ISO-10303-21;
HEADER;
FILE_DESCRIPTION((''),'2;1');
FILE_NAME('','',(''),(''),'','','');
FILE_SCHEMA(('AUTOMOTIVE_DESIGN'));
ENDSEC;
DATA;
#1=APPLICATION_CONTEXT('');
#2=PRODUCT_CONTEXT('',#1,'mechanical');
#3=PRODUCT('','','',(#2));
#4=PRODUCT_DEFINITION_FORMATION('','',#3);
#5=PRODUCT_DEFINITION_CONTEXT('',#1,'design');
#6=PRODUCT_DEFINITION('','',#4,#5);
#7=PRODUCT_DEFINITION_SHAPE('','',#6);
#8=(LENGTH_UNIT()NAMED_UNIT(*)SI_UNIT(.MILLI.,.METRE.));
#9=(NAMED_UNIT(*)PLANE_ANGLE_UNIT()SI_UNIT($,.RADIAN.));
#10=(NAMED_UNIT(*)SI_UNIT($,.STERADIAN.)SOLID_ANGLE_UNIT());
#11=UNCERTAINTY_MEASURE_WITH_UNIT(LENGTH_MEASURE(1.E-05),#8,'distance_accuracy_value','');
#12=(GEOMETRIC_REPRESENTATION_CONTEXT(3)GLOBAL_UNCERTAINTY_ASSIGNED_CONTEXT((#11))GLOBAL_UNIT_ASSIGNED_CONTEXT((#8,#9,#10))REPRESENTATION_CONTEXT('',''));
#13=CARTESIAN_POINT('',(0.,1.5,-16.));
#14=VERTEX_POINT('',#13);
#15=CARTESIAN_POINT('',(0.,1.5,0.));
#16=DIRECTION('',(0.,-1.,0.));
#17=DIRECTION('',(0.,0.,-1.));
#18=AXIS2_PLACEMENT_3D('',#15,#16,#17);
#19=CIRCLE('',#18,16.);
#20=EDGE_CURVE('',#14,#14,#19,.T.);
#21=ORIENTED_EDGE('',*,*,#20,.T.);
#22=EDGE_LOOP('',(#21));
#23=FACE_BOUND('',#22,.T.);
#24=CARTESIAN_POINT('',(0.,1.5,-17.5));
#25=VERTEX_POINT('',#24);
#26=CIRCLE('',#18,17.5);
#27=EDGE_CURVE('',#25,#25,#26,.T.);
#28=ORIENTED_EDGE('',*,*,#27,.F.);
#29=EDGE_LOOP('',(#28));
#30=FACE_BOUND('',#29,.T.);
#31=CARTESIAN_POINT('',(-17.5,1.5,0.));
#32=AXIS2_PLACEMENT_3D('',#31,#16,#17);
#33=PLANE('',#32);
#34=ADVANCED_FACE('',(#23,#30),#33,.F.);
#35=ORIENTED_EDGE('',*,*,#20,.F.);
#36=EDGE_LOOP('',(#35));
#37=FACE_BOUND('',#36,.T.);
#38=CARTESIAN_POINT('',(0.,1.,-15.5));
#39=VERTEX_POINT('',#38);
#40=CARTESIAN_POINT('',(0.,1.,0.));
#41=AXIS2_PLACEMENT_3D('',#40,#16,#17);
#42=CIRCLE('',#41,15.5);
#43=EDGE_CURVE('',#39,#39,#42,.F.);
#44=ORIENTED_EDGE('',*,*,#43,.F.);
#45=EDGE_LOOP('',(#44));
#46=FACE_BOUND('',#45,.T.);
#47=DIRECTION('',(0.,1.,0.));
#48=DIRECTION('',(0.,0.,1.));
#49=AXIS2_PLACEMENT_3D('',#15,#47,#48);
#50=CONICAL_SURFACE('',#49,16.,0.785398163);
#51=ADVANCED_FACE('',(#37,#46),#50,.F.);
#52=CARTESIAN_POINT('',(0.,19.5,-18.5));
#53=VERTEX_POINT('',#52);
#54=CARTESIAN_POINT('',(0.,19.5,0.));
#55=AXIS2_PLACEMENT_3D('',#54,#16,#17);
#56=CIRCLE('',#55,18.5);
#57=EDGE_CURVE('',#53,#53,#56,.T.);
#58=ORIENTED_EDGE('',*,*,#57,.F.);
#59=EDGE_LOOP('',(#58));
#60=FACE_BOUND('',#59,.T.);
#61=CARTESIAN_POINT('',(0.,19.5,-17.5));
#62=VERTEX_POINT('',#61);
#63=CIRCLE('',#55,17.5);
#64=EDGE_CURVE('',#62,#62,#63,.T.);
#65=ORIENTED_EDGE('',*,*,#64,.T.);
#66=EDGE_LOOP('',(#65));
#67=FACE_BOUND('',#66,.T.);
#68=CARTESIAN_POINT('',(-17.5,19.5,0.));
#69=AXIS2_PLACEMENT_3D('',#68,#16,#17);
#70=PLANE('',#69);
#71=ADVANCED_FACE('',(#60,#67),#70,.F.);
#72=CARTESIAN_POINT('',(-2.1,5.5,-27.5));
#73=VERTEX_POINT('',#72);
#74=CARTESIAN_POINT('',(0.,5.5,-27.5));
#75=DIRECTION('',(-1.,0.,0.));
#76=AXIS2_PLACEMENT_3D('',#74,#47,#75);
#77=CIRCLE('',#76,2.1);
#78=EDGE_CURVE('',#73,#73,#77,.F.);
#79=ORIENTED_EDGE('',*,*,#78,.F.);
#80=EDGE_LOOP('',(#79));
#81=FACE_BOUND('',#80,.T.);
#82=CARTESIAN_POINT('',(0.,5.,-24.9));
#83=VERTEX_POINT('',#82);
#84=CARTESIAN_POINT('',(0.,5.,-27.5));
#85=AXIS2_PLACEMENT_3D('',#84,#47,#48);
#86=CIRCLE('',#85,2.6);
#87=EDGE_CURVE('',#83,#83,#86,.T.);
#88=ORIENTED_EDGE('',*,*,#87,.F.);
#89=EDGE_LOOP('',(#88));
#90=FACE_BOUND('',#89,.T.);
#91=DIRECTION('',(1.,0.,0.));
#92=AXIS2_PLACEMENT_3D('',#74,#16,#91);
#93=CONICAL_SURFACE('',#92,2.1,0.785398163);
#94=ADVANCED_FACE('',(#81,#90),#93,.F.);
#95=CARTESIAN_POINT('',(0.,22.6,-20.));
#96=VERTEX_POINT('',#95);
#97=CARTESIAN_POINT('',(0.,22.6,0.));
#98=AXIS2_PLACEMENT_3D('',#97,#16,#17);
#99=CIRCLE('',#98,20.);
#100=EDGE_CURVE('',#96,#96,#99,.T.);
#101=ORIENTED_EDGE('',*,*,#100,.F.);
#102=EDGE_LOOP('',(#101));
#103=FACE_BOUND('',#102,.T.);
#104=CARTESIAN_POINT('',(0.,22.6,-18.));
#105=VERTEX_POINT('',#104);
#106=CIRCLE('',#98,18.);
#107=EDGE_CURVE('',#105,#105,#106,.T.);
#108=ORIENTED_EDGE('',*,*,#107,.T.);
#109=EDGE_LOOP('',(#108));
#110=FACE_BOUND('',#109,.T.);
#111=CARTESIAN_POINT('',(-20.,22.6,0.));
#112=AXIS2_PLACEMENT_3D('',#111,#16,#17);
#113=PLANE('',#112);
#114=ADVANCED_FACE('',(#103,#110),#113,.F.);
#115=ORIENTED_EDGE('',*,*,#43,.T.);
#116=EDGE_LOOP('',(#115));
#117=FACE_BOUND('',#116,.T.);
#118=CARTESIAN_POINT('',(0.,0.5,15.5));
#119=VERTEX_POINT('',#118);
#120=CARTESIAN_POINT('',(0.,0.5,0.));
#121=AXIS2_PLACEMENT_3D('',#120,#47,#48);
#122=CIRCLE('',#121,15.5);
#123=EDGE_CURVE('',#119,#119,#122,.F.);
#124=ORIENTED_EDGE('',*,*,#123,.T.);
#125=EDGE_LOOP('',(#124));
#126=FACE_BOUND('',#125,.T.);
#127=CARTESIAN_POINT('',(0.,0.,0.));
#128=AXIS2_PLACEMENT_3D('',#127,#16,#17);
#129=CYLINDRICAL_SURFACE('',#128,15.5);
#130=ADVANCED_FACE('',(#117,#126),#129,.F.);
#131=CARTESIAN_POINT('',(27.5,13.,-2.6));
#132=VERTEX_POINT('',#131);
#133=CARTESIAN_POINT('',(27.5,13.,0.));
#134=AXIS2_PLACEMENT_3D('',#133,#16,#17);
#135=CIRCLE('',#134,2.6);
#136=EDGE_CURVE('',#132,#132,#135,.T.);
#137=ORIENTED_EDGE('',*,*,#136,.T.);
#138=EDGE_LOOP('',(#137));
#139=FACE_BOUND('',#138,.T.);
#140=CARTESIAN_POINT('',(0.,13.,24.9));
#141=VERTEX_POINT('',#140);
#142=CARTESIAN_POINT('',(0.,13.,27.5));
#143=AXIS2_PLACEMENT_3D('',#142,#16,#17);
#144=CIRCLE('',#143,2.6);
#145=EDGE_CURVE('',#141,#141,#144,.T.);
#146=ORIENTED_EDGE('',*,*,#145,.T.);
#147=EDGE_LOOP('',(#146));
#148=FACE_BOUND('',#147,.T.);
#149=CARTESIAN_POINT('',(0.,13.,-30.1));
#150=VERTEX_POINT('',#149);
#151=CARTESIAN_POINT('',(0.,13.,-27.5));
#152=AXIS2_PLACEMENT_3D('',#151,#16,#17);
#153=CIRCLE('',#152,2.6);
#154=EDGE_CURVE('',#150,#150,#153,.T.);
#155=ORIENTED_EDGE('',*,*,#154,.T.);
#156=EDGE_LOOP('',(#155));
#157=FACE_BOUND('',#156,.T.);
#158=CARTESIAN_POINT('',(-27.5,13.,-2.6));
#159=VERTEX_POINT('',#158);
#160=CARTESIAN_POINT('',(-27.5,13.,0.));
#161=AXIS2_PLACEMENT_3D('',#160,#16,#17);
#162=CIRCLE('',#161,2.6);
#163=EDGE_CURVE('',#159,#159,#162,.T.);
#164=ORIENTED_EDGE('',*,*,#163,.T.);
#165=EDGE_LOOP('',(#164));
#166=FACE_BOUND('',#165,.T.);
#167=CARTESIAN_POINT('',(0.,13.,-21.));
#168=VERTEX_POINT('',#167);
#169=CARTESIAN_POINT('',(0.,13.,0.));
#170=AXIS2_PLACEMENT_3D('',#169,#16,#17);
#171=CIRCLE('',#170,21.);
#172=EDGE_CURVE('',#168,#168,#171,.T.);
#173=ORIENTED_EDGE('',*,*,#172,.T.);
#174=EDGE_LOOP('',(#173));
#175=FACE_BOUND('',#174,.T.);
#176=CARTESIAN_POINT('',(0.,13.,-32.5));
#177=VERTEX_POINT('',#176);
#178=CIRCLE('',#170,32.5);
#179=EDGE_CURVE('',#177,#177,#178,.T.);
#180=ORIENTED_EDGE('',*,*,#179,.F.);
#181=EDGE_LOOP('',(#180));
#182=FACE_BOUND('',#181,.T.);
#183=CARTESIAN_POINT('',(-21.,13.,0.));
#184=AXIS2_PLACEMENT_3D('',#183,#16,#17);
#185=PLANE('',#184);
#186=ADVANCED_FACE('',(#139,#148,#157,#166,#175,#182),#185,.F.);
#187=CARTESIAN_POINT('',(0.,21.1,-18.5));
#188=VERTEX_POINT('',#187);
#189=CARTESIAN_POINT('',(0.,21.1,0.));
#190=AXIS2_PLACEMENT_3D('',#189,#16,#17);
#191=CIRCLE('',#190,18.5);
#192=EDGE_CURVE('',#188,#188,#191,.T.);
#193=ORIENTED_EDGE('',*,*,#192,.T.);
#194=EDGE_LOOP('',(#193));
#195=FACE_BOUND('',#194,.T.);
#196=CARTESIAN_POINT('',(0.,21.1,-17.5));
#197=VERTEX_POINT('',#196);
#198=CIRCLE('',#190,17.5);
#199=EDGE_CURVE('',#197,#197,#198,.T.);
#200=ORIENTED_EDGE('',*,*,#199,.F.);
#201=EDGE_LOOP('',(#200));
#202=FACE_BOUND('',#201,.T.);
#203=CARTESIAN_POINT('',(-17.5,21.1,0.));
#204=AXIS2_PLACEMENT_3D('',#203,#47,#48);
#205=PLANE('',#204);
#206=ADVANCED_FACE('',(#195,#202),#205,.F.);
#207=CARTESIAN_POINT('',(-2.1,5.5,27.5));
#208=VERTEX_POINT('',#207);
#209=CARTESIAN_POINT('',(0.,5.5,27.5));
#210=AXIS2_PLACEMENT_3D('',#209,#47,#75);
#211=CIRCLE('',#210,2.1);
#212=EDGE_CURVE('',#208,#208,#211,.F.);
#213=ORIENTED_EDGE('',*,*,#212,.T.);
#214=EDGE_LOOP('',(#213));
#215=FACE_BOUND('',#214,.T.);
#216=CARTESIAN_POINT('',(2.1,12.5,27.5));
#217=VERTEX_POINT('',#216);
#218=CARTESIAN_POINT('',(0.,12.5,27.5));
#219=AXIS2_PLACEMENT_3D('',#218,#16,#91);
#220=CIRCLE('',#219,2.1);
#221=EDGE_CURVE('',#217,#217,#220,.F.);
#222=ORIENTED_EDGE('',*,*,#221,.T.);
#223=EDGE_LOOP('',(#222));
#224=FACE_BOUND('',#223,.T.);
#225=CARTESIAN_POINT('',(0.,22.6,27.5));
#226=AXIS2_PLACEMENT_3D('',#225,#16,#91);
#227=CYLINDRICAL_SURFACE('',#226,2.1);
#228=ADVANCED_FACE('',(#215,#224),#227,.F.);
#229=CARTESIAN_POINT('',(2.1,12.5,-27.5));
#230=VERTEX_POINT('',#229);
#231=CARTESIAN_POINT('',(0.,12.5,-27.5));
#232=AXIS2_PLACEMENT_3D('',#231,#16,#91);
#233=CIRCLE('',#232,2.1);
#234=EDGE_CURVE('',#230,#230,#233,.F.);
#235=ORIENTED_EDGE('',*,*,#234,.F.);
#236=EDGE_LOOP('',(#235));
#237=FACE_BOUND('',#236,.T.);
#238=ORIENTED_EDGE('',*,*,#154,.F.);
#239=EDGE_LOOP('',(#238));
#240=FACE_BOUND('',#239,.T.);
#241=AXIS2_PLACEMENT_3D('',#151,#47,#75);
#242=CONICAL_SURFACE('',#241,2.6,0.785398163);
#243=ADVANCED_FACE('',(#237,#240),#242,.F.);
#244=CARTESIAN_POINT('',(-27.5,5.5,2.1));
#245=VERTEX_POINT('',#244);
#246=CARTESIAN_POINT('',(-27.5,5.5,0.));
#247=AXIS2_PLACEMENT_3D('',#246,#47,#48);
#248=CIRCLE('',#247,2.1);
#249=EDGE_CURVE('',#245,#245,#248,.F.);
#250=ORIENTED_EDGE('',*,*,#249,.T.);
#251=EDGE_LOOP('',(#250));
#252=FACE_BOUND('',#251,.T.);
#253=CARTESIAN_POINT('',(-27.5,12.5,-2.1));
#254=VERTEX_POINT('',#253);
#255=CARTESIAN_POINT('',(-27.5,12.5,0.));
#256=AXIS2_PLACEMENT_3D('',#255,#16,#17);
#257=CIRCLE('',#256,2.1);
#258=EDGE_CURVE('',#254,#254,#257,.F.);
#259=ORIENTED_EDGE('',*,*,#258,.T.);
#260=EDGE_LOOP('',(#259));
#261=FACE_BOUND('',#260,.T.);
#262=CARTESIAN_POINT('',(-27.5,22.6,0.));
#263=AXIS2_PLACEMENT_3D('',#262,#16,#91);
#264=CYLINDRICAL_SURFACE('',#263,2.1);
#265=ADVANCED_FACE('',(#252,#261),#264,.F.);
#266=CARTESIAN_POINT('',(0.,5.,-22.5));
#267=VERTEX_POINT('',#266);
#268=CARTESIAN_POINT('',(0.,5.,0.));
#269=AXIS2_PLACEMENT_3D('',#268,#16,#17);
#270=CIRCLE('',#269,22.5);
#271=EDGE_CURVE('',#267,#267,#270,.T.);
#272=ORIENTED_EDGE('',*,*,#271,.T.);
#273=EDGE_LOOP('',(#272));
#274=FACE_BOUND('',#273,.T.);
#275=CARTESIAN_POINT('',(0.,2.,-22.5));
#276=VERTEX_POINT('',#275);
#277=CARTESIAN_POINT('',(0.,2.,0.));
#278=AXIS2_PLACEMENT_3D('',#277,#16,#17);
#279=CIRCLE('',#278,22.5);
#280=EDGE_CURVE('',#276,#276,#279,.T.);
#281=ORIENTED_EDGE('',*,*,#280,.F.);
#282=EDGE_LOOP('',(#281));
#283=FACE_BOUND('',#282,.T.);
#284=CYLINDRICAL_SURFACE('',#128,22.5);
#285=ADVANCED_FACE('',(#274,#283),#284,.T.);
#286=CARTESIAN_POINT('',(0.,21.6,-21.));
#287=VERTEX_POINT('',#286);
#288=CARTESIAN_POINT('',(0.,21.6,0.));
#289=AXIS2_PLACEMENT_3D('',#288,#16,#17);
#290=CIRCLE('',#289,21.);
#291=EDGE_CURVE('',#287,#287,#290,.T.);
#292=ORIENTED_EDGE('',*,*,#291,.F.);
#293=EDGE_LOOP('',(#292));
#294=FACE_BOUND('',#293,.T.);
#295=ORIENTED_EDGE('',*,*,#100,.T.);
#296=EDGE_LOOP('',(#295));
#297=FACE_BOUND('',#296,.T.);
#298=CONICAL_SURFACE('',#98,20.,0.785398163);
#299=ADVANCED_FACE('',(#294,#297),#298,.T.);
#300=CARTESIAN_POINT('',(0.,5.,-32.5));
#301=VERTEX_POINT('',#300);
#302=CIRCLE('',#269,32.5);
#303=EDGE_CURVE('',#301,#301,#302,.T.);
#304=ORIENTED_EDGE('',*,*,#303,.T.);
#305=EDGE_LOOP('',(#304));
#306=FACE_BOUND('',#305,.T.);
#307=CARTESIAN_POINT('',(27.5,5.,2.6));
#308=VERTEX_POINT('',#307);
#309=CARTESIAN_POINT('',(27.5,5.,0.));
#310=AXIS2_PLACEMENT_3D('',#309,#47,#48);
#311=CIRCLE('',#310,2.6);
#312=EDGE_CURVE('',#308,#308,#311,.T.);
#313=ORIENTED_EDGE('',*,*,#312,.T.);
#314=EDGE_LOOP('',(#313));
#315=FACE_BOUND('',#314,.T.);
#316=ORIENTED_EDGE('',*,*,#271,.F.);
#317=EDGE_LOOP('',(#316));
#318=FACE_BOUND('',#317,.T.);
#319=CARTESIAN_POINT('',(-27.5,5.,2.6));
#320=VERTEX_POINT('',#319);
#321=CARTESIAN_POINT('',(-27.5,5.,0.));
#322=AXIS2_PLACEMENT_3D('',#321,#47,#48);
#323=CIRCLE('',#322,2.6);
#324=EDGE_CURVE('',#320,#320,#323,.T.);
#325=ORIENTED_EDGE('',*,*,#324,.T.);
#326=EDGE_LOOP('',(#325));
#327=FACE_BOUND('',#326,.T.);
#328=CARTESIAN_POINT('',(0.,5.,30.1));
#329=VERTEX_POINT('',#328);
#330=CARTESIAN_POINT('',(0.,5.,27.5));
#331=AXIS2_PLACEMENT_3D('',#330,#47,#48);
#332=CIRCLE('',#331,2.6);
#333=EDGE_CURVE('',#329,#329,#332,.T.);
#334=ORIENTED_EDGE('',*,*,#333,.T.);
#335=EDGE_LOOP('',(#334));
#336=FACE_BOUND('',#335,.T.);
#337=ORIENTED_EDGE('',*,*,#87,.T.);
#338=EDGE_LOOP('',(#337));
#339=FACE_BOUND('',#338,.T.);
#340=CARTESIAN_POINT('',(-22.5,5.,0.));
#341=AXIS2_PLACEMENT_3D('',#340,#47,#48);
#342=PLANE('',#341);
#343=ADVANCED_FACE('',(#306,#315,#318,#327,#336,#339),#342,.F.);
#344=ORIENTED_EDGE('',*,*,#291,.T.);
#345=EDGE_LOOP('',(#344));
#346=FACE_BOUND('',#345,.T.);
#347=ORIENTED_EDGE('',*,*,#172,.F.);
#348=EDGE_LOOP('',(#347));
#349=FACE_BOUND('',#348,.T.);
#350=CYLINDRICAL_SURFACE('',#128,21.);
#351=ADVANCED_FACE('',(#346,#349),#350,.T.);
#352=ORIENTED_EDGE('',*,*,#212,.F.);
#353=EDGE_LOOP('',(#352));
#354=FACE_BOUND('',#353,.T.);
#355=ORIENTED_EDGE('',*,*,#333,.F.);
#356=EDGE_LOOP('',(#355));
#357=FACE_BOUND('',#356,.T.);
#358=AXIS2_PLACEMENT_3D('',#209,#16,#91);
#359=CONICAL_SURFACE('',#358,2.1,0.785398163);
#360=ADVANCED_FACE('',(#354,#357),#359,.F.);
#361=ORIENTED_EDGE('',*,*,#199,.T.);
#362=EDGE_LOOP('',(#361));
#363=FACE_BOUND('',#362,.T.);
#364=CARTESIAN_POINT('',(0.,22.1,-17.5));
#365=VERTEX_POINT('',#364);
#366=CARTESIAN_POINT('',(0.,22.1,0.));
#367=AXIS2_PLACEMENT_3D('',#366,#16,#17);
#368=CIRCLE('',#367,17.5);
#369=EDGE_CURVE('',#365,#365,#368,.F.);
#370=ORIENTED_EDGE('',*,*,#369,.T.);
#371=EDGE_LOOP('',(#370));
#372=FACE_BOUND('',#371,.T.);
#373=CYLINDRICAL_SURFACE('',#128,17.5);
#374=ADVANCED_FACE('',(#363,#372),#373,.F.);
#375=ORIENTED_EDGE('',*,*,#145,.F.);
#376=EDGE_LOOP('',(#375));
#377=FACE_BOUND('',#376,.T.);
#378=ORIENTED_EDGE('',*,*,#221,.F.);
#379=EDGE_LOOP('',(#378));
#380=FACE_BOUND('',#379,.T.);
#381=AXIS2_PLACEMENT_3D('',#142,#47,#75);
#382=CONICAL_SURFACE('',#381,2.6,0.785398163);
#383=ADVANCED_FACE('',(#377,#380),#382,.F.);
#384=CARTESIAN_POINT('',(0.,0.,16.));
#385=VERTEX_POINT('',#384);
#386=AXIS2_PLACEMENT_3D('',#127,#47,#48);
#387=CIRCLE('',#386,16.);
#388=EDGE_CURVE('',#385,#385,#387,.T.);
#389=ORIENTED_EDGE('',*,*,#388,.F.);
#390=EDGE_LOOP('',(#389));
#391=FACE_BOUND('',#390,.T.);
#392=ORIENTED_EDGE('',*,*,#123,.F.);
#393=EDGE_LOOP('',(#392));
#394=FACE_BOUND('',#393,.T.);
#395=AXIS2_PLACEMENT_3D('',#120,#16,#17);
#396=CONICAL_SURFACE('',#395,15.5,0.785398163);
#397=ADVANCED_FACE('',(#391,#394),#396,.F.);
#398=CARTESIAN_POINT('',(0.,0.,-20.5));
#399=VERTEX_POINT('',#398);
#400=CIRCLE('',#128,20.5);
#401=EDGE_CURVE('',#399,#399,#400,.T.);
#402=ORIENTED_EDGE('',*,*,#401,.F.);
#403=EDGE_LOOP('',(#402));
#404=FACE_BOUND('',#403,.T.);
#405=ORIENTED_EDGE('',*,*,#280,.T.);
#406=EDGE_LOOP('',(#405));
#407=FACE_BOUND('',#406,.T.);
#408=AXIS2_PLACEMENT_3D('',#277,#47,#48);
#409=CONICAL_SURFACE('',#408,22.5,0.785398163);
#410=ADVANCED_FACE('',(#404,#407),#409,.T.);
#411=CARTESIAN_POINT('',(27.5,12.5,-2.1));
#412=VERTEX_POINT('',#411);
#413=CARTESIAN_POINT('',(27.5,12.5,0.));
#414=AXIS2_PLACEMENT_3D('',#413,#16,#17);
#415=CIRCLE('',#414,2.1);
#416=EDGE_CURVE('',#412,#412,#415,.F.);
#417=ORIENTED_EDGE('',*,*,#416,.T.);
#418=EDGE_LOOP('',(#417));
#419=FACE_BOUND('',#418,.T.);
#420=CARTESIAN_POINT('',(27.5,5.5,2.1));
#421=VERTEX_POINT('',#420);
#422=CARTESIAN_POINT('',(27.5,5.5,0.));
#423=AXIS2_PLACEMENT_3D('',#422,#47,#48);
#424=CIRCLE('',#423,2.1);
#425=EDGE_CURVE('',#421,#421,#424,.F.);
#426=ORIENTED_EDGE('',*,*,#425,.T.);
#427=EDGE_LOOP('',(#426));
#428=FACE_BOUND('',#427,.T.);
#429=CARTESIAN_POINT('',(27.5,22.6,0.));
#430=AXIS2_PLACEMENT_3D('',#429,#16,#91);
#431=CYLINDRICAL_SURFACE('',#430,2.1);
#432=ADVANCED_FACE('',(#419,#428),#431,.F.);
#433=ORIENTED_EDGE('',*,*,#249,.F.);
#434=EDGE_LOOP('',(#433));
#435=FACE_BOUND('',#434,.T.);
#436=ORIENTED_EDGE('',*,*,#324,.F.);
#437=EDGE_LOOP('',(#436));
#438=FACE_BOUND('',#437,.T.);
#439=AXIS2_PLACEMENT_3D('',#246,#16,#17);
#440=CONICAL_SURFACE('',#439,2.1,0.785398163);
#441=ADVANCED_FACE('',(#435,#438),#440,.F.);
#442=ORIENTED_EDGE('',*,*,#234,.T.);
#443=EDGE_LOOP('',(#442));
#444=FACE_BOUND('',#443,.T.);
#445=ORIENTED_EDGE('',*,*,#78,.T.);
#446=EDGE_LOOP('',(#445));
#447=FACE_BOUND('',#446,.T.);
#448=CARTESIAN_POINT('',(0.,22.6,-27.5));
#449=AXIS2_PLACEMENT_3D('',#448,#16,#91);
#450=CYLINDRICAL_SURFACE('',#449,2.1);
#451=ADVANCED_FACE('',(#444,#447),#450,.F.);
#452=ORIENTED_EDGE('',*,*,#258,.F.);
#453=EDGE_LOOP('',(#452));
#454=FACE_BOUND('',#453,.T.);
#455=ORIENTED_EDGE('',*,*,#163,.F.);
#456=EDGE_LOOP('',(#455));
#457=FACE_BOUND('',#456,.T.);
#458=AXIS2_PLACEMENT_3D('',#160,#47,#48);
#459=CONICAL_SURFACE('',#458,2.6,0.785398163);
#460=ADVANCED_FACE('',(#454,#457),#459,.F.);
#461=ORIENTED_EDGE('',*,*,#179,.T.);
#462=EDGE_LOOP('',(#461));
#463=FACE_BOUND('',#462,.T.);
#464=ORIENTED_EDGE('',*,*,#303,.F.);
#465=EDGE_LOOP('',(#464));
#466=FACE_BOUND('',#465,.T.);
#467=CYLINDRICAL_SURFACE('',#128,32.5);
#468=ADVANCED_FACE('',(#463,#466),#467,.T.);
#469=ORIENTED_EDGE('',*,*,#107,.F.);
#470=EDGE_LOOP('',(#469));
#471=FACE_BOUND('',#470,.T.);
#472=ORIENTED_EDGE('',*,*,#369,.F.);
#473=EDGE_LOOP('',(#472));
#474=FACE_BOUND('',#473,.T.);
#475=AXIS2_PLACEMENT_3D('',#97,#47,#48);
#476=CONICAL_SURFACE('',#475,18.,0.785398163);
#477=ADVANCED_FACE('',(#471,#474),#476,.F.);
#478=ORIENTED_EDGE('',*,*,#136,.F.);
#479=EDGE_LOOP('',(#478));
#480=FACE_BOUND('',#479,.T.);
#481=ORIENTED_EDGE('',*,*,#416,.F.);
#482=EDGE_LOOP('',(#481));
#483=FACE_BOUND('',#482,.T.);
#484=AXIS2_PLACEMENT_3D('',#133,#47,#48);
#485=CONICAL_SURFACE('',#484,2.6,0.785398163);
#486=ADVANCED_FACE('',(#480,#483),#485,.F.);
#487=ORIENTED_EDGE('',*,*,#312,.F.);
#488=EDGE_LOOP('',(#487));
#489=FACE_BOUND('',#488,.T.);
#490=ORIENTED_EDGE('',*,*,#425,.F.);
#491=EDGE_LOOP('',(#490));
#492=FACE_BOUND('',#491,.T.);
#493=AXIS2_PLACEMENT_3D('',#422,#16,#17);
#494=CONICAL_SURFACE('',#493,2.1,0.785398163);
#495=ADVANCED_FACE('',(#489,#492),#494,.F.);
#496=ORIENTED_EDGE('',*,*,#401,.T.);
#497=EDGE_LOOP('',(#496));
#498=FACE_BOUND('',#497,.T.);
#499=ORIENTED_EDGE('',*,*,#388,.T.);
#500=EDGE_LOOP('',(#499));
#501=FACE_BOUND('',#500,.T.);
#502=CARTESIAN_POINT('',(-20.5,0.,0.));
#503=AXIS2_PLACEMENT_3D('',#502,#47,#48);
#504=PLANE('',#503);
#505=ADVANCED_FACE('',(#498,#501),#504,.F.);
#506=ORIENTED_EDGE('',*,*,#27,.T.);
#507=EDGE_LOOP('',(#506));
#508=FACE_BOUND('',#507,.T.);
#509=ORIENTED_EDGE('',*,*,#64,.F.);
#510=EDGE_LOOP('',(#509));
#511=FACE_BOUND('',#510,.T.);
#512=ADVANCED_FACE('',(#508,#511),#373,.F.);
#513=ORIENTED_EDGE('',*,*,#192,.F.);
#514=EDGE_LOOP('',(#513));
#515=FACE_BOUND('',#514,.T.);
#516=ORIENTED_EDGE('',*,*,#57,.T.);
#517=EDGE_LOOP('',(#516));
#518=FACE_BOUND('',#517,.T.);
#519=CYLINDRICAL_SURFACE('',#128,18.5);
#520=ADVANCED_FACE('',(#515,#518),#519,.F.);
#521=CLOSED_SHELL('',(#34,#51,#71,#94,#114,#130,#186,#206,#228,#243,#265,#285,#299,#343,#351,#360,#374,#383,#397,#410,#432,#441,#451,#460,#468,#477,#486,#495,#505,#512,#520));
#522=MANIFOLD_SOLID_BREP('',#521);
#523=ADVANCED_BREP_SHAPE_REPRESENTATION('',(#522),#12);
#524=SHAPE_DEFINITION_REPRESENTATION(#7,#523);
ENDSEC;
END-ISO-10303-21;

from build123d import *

# Parameters (mm, degrees)
SKETCH_2_R          = 2.1
CUT_EXTRUDE_1_DEPTH = 50.216460661
CHAMFER_1_SIZE      = 0.5
CHAMFER_2_SIZE      = 0.5


with BuildPart() as part:
    # Эскиз1 → Повернуть1 (revolve)
    with BuildSketch(Plane.XY, mode=Mode.PRIVATE) as revolve_1_sk:
        Polygon((-22.5, 5), (-22.5, 2), (-20.5, 0), (-15.5, 0), (-15.5, 1.5), (-17.5, 1.5), (-17.5, 19.5), (-18.5, 19.5), (-18.5, 21.1), (-17.5, 21.1), (-17.5, 22.6), (-20, 22.6), (-21, 21.6), (-21, 13), (-32.5, 13), (-32.5, 5), align=None)
    revolve(revolve_1_sk.sketch.rotate(Axis((0, 0, 0), (0, 1, 0)), 270), axis=Axis((0, 0, 0), (0, 1, 0)))

    # Эскиз2 → Вырез-Вытянуть1 (cut, through all)
    with BuildSketch(Plane.XZ.offset(-5)):
        with Locations((0, 27.5)):
            Circle(SKETCH_2_R)
        with Locations((27.5, 0)):
            Circle(SKETCH_2_R)
        with Locations((0, -27.5)):
            Circle(SKETCH_2_R)
        with Locations((-27.5, 0)):
            Circle(SKETCH_2_R)
    extrude(amount=-CUT_EXTRUDE_1_DEPTH, mode=Mode.SUBTRACT)

    # Фаска1
    chamfer_1_edges = [part.edges().sort_by_distance(p)[0] for p in [
        (0, 0, 15.5),
        (0, 1.5, 15.5),
        (0, 22.6, 17.5),
    ]]
    chamfer(chamfer_1_edges, length=CHAMFER_1_SIZE)

    # Фаска2
    chamfer_2_edges = [part.edges().sort_by_distance(p)[0] for p in [
        (-2.1, 13, 27.5),
        (-2.1, 5, 27.5),
        (25.4, 13, 0),
        (25.4, 5, 0),
        (-2.1, 13, -27.5),
        (-2.1, 5, -27.5),
        (-29.6, 13, 0),
        (-29.6, 5, 0),
    ]]
    chamfer(chamfer_2_edges, length=CHAMFER_2_SIZE)


solid = part.part
